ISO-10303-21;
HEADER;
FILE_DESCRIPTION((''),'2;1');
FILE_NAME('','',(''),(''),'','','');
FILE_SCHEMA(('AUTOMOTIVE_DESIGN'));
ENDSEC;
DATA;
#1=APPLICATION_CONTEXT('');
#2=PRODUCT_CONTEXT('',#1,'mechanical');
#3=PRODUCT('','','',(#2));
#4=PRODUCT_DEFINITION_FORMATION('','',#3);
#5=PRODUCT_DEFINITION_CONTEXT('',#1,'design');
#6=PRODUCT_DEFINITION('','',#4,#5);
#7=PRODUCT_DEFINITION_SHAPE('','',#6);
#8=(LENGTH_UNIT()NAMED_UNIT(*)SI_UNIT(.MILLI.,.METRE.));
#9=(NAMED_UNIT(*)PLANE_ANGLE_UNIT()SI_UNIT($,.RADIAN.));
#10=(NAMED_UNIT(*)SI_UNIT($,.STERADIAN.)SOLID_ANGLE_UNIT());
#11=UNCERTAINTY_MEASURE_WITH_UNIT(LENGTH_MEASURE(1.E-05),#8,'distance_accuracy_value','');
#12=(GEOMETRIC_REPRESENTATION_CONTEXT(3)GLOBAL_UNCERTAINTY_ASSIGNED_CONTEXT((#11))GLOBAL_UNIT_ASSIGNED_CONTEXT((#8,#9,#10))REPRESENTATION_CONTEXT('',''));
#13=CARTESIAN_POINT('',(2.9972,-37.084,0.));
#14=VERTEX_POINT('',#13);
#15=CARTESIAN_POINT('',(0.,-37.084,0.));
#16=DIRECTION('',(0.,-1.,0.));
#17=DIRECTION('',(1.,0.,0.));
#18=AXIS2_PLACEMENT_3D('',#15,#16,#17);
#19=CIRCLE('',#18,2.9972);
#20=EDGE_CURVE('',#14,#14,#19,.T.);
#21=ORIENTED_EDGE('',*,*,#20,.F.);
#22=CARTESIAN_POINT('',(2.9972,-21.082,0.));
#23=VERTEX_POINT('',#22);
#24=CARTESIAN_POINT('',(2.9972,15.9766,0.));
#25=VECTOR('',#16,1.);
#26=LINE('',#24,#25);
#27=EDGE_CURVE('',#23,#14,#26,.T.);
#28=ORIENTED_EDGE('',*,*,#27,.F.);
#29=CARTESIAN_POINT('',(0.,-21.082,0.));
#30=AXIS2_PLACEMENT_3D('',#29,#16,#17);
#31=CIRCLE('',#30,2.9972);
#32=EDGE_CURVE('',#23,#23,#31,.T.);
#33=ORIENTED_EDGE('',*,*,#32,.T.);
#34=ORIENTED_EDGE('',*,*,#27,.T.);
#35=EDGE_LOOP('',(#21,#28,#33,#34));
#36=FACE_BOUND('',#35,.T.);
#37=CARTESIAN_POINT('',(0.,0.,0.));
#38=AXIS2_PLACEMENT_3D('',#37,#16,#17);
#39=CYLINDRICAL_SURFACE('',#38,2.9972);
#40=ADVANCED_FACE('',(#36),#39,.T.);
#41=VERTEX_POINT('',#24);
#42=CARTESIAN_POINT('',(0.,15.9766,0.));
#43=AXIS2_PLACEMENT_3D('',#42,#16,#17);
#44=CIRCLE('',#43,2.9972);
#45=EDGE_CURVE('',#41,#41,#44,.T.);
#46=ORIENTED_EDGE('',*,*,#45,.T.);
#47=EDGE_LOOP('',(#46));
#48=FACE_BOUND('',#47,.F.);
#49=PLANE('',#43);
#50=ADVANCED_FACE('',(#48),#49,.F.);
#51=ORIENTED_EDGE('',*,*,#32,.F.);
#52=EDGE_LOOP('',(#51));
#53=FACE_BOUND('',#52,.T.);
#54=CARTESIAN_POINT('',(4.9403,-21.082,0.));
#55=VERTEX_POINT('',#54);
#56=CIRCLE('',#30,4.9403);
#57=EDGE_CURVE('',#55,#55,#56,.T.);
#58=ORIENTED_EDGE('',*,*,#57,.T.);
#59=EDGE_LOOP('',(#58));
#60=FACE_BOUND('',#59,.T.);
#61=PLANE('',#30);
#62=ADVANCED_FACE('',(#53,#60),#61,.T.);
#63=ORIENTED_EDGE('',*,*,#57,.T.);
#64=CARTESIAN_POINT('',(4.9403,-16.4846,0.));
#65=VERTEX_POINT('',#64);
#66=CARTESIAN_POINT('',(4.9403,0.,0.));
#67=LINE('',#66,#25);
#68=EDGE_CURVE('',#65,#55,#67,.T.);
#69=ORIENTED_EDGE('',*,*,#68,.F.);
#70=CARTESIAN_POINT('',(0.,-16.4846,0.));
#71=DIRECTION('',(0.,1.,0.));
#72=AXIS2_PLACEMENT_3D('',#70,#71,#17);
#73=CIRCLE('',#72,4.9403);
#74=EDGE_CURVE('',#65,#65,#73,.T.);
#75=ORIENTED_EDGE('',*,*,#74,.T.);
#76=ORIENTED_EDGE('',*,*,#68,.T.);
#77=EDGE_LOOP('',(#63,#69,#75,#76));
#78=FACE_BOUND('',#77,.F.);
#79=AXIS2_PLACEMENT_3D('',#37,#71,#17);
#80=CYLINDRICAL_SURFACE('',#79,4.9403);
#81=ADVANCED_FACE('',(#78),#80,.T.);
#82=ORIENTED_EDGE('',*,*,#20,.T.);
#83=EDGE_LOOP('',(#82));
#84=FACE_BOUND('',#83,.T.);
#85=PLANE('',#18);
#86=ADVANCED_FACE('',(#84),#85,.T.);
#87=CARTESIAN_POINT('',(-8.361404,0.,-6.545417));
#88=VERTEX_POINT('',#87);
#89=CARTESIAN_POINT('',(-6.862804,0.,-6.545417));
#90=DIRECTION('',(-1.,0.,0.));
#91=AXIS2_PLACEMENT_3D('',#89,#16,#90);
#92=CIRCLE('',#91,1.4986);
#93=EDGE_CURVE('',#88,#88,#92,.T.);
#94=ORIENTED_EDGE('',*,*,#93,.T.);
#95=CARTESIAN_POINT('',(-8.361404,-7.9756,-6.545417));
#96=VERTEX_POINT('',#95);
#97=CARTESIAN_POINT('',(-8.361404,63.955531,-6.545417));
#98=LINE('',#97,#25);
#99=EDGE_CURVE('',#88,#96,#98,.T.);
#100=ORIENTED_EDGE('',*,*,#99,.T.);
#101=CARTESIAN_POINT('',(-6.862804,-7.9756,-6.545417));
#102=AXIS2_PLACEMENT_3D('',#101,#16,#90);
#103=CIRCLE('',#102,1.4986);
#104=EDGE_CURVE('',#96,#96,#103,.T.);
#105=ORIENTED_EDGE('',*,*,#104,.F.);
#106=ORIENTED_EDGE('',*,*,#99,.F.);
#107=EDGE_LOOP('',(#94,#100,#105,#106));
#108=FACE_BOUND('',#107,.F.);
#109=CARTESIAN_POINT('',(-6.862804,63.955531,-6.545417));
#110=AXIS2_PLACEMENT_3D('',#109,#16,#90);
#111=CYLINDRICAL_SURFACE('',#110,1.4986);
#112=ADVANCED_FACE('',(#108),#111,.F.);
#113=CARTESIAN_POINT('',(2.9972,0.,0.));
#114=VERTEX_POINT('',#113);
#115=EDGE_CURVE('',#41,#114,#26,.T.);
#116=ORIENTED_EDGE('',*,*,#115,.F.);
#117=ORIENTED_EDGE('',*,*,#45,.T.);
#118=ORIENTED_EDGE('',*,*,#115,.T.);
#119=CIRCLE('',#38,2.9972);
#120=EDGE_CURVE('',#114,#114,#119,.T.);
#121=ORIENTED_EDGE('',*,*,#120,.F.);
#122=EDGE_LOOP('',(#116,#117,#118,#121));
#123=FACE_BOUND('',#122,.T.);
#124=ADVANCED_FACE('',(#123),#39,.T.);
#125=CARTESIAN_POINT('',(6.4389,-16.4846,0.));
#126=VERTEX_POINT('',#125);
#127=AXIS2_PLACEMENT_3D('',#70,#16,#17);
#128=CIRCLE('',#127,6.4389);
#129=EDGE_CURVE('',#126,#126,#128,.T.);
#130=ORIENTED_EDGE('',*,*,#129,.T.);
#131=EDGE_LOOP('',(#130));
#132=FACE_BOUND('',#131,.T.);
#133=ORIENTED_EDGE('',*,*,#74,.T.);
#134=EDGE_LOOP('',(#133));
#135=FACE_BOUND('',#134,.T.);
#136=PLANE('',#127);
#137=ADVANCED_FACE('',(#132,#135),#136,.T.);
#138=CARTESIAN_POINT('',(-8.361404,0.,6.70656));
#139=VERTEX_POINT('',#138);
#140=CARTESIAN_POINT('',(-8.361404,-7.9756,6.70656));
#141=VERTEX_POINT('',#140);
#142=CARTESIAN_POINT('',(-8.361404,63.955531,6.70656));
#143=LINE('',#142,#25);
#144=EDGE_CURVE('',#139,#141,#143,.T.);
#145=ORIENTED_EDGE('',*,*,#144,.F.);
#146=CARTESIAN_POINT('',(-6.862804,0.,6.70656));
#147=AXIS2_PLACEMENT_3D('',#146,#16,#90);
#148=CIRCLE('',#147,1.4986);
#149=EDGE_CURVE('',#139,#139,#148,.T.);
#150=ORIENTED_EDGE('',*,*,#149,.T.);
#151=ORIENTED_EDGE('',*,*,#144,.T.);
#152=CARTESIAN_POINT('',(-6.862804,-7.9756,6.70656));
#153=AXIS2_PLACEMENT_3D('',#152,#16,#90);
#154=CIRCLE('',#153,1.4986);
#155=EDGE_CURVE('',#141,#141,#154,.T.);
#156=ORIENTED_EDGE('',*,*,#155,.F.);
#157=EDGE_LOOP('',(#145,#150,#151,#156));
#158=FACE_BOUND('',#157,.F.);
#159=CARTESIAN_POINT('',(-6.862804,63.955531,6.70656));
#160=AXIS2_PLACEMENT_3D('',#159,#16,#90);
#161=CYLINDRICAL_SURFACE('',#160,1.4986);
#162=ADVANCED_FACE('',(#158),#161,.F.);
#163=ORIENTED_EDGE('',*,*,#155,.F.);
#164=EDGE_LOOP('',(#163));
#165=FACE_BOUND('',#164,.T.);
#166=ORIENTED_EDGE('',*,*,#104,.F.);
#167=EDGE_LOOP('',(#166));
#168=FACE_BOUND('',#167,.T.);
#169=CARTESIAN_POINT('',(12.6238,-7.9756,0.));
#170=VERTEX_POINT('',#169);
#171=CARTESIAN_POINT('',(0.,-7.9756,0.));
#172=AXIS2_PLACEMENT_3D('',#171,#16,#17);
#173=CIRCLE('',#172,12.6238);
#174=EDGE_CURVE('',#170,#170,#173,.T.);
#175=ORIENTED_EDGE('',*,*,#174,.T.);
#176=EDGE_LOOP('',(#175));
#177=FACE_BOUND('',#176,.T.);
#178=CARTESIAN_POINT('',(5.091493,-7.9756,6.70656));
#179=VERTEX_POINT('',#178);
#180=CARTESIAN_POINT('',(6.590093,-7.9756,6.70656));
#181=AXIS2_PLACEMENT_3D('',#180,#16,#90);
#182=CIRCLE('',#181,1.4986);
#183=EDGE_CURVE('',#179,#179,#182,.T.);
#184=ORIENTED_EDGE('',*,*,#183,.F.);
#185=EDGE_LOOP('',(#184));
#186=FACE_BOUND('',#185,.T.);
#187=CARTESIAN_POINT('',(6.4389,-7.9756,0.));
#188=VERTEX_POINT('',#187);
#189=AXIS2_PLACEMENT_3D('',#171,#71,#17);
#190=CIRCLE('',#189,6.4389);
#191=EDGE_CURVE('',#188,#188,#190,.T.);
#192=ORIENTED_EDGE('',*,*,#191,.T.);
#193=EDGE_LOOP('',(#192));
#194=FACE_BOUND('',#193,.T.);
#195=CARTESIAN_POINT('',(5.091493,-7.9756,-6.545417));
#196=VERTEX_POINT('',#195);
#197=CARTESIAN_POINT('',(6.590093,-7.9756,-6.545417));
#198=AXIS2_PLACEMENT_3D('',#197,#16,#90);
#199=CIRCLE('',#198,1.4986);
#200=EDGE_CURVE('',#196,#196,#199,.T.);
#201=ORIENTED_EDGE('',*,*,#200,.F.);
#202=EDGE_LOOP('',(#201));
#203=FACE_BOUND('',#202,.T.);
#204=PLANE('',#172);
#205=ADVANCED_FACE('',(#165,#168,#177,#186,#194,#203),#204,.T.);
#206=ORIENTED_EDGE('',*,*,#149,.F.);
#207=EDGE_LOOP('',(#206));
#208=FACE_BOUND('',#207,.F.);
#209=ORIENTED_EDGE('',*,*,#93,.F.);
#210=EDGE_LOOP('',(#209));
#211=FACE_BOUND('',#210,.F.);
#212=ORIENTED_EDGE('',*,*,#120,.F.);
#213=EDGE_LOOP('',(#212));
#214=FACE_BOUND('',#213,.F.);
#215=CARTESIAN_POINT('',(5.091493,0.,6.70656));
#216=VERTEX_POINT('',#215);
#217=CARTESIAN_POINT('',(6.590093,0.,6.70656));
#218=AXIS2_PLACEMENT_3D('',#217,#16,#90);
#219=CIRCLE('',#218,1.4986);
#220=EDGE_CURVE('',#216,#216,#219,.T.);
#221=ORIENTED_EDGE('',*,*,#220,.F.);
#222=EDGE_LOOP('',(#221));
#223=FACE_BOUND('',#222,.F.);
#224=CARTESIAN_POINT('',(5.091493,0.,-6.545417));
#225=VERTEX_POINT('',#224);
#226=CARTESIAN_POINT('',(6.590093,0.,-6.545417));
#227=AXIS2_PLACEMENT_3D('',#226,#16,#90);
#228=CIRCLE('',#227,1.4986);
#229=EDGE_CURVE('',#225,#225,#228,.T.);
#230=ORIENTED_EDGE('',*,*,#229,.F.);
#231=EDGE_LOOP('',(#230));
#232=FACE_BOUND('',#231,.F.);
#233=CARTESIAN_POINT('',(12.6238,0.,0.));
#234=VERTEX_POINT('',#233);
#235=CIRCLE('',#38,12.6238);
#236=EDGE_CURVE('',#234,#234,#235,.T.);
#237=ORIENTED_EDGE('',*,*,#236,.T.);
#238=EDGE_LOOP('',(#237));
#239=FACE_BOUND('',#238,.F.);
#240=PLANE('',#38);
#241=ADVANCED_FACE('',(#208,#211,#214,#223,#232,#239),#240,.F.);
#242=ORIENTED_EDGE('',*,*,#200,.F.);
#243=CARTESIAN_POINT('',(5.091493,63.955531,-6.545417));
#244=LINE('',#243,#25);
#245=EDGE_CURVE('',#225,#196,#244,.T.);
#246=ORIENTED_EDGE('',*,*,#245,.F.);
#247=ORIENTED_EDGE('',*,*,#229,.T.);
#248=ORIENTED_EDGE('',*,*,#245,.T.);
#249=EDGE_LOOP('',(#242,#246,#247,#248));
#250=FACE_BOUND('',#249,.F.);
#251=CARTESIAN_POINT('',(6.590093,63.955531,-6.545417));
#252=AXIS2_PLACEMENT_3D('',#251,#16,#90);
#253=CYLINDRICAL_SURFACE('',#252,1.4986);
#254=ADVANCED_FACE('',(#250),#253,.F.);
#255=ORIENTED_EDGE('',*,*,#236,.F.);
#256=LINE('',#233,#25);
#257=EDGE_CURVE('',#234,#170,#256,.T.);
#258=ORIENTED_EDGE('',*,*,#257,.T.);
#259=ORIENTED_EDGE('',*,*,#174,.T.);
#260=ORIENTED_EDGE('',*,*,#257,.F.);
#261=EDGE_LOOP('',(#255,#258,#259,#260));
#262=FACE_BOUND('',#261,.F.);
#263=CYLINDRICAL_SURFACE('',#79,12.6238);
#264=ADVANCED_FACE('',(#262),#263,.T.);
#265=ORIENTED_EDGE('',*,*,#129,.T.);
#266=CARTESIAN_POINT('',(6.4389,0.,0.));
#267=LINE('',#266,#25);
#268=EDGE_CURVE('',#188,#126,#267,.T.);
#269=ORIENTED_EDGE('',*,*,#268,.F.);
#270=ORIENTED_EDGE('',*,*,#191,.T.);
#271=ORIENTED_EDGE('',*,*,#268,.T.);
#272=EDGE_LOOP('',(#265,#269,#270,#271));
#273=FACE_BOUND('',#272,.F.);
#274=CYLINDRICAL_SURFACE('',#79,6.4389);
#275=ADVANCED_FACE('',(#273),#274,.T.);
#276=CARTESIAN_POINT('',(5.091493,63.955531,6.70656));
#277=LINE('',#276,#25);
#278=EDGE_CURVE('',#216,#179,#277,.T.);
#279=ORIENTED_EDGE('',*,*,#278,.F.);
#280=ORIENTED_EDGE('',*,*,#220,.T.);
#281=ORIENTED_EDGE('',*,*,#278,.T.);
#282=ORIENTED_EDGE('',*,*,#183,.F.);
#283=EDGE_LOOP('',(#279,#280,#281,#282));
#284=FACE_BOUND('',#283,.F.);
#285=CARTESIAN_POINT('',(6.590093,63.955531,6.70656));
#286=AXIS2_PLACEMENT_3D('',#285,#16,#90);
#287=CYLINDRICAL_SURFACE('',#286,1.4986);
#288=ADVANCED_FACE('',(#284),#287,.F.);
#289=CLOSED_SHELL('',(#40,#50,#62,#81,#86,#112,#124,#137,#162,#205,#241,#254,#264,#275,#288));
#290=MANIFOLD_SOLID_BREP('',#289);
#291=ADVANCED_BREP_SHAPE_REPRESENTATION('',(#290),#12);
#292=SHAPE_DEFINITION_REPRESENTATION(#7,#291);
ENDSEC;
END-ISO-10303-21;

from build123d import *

# Parameters (mm, degrees)
F0_R          = 2.9972
F5_DEPTH      = 37.084
F5_DEPTH_BACK = 15.9766
F1_R          = 4.9403
F6_DEPTH      = 21.082
F2_R          = 6.4389
F7_DEPTH      = 16.4846
F3_R          = 12.6238
F8_DEPTH      = 7.9756
F9_D          = 2.9972


with BuildPart() as f5:
    # F0 (on Front) → F5 (new body, two sides)
    with BuildSketch(Plane.XZ) as f5_sk:
        Circle(F0_R)
    extrude(amount=F5_DEPTH)
    extrude(f5_sk.sketch, amount=-F5_DEPTH_BACK)

    # F1 (on Front) → F6 (join)
    with BuildSketch(Plane.XZ):
        Circle(F1_R)
    extrude(amount=F6_DEPTH)

    # F2 (on Front) → F7 (join)
    with BuildSketch(Plane.XZ):
        Circle(F2_R)
    extrude(amount=F7_DEPTH)

    # F3 (on Front) → F8 (join)
    with BuildSketch(Plane.XZ):
        Circle(F3_R)
    extrude(amount=F8_DEPTH)

    # F9 (through all)
    with Locations(Plane(origin=(0, 0, 0), x_dir=(1, 0, 0), z_dir=(0, 1, 0))):
        with Locations((-6.8628041832, -6.7065595315), (6.5900925825, -6.7065595315), (6.5900925825, 6.5454167448), (-6.8628041832, 6.5454167448)):
            Hole(F9_D / 2)


solid = f5.part
